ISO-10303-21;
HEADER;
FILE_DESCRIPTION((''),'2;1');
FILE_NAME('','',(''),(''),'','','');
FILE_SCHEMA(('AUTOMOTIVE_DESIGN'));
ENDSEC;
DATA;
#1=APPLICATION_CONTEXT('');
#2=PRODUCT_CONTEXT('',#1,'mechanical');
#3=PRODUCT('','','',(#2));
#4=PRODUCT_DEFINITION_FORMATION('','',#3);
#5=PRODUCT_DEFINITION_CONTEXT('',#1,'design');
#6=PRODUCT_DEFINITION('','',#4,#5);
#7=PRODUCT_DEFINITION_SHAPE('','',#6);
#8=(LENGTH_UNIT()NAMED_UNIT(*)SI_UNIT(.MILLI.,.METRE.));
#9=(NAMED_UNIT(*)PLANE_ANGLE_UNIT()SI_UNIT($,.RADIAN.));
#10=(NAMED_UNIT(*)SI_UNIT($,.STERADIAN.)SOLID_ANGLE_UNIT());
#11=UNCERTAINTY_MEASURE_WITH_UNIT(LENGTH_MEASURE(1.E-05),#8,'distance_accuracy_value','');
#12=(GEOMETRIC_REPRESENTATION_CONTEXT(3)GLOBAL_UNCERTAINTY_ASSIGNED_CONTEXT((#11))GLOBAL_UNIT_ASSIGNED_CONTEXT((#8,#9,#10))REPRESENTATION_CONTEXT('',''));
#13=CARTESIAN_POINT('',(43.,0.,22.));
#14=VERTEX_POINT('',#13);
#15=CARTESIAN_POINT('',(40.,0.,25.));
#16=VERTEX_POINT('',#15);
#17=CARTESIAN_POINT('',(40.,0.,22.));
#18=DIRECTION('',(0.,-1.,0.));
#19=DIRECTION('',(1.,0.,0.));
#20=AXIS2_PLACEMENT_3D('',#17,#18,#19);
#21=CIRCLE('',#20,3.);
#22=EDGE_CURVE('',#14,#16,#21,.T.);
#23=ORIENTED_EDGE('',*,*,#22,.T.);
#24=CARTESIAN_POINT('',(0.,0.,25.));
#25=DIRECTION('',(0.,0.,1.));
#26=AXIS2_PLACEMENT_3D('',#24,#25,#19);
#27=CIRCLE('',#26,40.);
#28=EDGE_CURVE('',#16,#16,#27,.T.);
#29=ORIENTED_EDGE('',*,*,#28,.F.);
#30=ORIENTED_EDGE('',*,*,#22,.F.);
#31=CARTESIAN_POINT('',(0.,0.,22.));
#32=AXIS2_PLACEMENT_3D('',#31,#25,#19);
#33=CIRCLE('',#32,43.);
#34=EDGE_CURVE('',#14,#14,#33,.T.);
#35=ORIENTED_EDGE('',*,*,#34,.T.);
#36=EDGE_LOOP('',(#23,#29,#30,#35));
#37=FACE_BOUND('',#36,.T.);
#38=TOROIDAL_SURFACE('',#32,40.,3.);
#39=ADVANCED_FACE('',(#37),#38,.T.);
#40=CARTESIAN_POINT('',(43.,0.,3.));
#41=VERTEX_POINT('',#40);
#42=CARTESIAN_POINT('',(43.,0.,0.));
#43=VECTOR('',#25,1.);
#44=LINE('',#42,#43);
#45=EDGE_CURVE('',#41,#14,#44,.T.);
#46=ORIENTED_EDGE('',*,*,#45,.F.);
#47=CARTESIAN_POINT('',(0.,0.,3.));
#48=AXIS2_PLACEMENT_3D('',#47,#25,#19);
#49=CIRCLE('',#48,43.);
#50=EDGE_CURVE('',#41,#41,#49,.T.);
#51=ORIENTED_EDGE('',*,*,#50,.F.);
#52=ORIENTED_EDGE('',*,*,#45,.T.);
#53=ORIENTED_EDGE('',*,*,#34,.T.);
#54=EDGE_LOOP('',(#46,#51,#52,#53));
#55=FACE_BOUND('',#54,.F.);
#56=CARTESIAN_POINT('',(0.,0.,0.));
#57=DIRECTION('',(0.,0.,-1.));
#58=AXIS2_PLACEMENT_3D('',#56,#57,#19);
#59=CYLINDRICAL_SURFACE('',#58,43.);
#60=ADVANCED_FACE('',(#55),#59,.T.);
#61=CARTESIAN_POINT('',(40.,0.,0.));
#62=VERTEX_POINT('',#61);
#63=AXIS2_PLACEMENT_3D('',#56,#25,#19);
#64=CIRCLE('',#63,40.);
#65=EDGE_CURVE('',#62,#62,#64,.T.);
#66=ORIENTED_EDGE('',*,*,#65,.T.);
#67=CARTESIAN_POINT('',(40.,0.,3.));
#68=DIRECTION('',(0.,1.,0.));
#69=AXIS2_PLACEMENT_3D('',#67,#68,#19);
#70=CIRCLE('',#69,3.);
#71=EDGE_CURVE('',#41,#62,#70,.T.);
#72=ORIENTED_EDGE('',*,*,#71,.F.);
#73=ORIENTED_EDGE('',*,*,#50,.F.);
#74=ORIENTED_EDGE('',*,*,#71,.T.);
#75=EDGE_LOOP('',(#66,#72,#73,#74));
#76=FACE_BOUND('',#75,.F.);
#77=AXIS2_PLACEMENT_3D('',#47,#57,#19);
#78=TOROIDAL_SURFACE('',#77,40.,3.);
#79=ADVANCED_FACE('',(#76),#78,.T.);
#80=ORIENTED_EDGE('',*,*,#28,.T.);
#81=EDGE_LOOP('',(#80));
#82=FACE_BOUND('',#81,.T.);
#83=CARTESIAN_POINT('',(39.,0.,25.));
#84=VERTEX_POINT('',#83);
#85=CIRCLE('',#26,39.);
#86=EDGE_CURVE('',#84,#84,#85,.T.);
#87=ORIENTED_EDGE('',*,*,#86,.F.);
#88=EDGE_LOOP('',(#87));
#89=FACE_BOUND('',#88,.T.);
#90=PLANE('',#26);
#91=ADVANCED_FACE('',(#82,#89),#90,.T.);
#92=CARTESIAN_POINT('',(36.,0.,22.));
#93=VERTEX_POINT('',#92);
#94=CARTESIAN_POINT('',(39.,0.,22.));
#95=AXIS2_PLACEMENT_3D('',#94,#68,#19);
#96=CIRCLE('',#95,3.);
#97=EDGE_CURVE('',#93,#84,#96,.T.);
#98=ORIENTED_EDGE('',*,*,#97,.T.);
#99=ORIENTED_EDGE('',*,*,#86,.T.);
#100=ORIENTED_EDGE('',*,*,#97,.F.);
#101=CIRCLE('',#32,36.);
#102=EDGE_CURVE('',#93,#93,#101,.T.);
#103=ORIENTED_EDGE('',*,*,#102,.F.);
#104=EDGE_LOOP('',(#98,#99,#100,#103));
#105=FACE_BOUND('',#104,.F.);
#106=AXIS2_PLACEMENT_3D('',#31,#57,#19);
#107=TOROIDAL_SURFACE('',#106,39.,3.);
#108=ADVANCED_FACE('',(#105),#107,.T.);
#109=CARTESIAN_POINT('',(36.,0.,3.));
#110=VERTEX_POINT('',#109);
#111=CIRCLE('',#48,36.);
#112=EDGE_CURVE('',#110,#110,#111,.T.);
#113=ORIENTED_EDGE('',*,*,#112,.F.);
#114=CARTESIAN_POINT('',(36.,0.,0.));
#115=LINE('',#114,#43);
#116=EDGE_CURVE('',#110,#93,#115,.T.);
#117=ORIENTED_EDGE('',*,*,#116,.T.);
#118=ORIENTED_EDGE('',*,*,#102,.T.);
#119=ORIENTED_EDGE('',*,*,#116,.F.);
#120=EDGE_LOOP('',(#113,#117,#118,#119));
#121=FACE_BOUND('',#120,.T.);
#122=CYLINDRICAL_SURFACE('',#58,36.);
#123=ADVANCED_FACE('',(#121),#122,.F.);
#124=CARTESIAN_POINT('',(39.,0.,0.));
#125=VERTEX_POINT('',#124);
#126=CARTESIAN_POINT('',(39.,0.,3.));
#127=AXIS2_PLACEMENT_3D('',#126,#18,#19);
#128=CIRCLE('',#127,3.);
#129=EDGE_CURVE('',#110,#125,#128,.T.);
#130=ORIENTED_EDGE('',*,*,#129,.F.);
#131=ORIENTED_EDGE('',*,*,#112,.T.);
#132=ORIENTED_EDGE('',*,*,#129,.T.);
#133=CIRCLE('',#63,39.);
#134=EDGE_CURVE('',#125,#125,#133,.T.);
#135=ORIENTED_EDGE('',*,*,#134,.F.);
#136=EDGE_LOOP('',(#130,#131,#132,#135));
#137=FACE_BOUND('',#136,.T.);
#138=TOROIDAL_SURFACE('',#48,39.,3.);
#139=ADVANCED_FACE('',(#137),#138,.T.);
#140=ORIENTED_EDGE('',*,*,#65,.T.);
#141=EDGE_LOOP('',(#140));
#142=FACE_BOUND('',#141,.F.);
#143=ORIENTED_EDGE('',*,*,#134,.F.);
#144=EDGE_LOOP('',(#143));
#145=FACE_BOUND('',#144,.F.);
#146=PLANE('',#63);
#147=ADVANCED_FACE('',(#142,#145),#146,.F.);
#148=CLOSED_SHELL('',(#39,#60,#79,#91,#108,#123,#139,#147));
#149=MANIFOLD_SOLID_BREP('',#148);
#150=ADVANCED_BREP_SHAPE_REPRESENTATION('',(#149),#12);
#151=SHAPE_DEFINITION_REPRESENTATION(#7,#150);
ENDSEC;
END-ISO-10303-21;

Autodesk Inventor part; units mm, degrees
ref_plane "YZ Plane" through (0, 0, 0) normal (1, 0, 0) x (0, 1, 0)
ref_plane "XZ Plane" through (0, 0, 0) normal (0, 1, 0) x (-1, 0, 0)
ref_plane "XY Plane" through (0, 0, 0) normal (0, 0, 1) x (1, 0, 0)
sketch "Sketch2" plane through (0, 0, 0) normal (0, 0, 1) x (1, 0, 0)
  circle A0 centre (0, 0) radius 36
  circle A1 centre (0, 0) radius 43
  dimension "d16" = 86
  dimension "d17" = 72
extrude "Extrusion2" add sketch "Sketch2" along normal blind 25
fillet "Fillet1" radius 3 4 edges at (-36, 0, 25) (-43, 0, 25) (-36, 0, 0) (-43, 0, 0)
properties part number "M16 - RX Coil" material "SAE 1020"
